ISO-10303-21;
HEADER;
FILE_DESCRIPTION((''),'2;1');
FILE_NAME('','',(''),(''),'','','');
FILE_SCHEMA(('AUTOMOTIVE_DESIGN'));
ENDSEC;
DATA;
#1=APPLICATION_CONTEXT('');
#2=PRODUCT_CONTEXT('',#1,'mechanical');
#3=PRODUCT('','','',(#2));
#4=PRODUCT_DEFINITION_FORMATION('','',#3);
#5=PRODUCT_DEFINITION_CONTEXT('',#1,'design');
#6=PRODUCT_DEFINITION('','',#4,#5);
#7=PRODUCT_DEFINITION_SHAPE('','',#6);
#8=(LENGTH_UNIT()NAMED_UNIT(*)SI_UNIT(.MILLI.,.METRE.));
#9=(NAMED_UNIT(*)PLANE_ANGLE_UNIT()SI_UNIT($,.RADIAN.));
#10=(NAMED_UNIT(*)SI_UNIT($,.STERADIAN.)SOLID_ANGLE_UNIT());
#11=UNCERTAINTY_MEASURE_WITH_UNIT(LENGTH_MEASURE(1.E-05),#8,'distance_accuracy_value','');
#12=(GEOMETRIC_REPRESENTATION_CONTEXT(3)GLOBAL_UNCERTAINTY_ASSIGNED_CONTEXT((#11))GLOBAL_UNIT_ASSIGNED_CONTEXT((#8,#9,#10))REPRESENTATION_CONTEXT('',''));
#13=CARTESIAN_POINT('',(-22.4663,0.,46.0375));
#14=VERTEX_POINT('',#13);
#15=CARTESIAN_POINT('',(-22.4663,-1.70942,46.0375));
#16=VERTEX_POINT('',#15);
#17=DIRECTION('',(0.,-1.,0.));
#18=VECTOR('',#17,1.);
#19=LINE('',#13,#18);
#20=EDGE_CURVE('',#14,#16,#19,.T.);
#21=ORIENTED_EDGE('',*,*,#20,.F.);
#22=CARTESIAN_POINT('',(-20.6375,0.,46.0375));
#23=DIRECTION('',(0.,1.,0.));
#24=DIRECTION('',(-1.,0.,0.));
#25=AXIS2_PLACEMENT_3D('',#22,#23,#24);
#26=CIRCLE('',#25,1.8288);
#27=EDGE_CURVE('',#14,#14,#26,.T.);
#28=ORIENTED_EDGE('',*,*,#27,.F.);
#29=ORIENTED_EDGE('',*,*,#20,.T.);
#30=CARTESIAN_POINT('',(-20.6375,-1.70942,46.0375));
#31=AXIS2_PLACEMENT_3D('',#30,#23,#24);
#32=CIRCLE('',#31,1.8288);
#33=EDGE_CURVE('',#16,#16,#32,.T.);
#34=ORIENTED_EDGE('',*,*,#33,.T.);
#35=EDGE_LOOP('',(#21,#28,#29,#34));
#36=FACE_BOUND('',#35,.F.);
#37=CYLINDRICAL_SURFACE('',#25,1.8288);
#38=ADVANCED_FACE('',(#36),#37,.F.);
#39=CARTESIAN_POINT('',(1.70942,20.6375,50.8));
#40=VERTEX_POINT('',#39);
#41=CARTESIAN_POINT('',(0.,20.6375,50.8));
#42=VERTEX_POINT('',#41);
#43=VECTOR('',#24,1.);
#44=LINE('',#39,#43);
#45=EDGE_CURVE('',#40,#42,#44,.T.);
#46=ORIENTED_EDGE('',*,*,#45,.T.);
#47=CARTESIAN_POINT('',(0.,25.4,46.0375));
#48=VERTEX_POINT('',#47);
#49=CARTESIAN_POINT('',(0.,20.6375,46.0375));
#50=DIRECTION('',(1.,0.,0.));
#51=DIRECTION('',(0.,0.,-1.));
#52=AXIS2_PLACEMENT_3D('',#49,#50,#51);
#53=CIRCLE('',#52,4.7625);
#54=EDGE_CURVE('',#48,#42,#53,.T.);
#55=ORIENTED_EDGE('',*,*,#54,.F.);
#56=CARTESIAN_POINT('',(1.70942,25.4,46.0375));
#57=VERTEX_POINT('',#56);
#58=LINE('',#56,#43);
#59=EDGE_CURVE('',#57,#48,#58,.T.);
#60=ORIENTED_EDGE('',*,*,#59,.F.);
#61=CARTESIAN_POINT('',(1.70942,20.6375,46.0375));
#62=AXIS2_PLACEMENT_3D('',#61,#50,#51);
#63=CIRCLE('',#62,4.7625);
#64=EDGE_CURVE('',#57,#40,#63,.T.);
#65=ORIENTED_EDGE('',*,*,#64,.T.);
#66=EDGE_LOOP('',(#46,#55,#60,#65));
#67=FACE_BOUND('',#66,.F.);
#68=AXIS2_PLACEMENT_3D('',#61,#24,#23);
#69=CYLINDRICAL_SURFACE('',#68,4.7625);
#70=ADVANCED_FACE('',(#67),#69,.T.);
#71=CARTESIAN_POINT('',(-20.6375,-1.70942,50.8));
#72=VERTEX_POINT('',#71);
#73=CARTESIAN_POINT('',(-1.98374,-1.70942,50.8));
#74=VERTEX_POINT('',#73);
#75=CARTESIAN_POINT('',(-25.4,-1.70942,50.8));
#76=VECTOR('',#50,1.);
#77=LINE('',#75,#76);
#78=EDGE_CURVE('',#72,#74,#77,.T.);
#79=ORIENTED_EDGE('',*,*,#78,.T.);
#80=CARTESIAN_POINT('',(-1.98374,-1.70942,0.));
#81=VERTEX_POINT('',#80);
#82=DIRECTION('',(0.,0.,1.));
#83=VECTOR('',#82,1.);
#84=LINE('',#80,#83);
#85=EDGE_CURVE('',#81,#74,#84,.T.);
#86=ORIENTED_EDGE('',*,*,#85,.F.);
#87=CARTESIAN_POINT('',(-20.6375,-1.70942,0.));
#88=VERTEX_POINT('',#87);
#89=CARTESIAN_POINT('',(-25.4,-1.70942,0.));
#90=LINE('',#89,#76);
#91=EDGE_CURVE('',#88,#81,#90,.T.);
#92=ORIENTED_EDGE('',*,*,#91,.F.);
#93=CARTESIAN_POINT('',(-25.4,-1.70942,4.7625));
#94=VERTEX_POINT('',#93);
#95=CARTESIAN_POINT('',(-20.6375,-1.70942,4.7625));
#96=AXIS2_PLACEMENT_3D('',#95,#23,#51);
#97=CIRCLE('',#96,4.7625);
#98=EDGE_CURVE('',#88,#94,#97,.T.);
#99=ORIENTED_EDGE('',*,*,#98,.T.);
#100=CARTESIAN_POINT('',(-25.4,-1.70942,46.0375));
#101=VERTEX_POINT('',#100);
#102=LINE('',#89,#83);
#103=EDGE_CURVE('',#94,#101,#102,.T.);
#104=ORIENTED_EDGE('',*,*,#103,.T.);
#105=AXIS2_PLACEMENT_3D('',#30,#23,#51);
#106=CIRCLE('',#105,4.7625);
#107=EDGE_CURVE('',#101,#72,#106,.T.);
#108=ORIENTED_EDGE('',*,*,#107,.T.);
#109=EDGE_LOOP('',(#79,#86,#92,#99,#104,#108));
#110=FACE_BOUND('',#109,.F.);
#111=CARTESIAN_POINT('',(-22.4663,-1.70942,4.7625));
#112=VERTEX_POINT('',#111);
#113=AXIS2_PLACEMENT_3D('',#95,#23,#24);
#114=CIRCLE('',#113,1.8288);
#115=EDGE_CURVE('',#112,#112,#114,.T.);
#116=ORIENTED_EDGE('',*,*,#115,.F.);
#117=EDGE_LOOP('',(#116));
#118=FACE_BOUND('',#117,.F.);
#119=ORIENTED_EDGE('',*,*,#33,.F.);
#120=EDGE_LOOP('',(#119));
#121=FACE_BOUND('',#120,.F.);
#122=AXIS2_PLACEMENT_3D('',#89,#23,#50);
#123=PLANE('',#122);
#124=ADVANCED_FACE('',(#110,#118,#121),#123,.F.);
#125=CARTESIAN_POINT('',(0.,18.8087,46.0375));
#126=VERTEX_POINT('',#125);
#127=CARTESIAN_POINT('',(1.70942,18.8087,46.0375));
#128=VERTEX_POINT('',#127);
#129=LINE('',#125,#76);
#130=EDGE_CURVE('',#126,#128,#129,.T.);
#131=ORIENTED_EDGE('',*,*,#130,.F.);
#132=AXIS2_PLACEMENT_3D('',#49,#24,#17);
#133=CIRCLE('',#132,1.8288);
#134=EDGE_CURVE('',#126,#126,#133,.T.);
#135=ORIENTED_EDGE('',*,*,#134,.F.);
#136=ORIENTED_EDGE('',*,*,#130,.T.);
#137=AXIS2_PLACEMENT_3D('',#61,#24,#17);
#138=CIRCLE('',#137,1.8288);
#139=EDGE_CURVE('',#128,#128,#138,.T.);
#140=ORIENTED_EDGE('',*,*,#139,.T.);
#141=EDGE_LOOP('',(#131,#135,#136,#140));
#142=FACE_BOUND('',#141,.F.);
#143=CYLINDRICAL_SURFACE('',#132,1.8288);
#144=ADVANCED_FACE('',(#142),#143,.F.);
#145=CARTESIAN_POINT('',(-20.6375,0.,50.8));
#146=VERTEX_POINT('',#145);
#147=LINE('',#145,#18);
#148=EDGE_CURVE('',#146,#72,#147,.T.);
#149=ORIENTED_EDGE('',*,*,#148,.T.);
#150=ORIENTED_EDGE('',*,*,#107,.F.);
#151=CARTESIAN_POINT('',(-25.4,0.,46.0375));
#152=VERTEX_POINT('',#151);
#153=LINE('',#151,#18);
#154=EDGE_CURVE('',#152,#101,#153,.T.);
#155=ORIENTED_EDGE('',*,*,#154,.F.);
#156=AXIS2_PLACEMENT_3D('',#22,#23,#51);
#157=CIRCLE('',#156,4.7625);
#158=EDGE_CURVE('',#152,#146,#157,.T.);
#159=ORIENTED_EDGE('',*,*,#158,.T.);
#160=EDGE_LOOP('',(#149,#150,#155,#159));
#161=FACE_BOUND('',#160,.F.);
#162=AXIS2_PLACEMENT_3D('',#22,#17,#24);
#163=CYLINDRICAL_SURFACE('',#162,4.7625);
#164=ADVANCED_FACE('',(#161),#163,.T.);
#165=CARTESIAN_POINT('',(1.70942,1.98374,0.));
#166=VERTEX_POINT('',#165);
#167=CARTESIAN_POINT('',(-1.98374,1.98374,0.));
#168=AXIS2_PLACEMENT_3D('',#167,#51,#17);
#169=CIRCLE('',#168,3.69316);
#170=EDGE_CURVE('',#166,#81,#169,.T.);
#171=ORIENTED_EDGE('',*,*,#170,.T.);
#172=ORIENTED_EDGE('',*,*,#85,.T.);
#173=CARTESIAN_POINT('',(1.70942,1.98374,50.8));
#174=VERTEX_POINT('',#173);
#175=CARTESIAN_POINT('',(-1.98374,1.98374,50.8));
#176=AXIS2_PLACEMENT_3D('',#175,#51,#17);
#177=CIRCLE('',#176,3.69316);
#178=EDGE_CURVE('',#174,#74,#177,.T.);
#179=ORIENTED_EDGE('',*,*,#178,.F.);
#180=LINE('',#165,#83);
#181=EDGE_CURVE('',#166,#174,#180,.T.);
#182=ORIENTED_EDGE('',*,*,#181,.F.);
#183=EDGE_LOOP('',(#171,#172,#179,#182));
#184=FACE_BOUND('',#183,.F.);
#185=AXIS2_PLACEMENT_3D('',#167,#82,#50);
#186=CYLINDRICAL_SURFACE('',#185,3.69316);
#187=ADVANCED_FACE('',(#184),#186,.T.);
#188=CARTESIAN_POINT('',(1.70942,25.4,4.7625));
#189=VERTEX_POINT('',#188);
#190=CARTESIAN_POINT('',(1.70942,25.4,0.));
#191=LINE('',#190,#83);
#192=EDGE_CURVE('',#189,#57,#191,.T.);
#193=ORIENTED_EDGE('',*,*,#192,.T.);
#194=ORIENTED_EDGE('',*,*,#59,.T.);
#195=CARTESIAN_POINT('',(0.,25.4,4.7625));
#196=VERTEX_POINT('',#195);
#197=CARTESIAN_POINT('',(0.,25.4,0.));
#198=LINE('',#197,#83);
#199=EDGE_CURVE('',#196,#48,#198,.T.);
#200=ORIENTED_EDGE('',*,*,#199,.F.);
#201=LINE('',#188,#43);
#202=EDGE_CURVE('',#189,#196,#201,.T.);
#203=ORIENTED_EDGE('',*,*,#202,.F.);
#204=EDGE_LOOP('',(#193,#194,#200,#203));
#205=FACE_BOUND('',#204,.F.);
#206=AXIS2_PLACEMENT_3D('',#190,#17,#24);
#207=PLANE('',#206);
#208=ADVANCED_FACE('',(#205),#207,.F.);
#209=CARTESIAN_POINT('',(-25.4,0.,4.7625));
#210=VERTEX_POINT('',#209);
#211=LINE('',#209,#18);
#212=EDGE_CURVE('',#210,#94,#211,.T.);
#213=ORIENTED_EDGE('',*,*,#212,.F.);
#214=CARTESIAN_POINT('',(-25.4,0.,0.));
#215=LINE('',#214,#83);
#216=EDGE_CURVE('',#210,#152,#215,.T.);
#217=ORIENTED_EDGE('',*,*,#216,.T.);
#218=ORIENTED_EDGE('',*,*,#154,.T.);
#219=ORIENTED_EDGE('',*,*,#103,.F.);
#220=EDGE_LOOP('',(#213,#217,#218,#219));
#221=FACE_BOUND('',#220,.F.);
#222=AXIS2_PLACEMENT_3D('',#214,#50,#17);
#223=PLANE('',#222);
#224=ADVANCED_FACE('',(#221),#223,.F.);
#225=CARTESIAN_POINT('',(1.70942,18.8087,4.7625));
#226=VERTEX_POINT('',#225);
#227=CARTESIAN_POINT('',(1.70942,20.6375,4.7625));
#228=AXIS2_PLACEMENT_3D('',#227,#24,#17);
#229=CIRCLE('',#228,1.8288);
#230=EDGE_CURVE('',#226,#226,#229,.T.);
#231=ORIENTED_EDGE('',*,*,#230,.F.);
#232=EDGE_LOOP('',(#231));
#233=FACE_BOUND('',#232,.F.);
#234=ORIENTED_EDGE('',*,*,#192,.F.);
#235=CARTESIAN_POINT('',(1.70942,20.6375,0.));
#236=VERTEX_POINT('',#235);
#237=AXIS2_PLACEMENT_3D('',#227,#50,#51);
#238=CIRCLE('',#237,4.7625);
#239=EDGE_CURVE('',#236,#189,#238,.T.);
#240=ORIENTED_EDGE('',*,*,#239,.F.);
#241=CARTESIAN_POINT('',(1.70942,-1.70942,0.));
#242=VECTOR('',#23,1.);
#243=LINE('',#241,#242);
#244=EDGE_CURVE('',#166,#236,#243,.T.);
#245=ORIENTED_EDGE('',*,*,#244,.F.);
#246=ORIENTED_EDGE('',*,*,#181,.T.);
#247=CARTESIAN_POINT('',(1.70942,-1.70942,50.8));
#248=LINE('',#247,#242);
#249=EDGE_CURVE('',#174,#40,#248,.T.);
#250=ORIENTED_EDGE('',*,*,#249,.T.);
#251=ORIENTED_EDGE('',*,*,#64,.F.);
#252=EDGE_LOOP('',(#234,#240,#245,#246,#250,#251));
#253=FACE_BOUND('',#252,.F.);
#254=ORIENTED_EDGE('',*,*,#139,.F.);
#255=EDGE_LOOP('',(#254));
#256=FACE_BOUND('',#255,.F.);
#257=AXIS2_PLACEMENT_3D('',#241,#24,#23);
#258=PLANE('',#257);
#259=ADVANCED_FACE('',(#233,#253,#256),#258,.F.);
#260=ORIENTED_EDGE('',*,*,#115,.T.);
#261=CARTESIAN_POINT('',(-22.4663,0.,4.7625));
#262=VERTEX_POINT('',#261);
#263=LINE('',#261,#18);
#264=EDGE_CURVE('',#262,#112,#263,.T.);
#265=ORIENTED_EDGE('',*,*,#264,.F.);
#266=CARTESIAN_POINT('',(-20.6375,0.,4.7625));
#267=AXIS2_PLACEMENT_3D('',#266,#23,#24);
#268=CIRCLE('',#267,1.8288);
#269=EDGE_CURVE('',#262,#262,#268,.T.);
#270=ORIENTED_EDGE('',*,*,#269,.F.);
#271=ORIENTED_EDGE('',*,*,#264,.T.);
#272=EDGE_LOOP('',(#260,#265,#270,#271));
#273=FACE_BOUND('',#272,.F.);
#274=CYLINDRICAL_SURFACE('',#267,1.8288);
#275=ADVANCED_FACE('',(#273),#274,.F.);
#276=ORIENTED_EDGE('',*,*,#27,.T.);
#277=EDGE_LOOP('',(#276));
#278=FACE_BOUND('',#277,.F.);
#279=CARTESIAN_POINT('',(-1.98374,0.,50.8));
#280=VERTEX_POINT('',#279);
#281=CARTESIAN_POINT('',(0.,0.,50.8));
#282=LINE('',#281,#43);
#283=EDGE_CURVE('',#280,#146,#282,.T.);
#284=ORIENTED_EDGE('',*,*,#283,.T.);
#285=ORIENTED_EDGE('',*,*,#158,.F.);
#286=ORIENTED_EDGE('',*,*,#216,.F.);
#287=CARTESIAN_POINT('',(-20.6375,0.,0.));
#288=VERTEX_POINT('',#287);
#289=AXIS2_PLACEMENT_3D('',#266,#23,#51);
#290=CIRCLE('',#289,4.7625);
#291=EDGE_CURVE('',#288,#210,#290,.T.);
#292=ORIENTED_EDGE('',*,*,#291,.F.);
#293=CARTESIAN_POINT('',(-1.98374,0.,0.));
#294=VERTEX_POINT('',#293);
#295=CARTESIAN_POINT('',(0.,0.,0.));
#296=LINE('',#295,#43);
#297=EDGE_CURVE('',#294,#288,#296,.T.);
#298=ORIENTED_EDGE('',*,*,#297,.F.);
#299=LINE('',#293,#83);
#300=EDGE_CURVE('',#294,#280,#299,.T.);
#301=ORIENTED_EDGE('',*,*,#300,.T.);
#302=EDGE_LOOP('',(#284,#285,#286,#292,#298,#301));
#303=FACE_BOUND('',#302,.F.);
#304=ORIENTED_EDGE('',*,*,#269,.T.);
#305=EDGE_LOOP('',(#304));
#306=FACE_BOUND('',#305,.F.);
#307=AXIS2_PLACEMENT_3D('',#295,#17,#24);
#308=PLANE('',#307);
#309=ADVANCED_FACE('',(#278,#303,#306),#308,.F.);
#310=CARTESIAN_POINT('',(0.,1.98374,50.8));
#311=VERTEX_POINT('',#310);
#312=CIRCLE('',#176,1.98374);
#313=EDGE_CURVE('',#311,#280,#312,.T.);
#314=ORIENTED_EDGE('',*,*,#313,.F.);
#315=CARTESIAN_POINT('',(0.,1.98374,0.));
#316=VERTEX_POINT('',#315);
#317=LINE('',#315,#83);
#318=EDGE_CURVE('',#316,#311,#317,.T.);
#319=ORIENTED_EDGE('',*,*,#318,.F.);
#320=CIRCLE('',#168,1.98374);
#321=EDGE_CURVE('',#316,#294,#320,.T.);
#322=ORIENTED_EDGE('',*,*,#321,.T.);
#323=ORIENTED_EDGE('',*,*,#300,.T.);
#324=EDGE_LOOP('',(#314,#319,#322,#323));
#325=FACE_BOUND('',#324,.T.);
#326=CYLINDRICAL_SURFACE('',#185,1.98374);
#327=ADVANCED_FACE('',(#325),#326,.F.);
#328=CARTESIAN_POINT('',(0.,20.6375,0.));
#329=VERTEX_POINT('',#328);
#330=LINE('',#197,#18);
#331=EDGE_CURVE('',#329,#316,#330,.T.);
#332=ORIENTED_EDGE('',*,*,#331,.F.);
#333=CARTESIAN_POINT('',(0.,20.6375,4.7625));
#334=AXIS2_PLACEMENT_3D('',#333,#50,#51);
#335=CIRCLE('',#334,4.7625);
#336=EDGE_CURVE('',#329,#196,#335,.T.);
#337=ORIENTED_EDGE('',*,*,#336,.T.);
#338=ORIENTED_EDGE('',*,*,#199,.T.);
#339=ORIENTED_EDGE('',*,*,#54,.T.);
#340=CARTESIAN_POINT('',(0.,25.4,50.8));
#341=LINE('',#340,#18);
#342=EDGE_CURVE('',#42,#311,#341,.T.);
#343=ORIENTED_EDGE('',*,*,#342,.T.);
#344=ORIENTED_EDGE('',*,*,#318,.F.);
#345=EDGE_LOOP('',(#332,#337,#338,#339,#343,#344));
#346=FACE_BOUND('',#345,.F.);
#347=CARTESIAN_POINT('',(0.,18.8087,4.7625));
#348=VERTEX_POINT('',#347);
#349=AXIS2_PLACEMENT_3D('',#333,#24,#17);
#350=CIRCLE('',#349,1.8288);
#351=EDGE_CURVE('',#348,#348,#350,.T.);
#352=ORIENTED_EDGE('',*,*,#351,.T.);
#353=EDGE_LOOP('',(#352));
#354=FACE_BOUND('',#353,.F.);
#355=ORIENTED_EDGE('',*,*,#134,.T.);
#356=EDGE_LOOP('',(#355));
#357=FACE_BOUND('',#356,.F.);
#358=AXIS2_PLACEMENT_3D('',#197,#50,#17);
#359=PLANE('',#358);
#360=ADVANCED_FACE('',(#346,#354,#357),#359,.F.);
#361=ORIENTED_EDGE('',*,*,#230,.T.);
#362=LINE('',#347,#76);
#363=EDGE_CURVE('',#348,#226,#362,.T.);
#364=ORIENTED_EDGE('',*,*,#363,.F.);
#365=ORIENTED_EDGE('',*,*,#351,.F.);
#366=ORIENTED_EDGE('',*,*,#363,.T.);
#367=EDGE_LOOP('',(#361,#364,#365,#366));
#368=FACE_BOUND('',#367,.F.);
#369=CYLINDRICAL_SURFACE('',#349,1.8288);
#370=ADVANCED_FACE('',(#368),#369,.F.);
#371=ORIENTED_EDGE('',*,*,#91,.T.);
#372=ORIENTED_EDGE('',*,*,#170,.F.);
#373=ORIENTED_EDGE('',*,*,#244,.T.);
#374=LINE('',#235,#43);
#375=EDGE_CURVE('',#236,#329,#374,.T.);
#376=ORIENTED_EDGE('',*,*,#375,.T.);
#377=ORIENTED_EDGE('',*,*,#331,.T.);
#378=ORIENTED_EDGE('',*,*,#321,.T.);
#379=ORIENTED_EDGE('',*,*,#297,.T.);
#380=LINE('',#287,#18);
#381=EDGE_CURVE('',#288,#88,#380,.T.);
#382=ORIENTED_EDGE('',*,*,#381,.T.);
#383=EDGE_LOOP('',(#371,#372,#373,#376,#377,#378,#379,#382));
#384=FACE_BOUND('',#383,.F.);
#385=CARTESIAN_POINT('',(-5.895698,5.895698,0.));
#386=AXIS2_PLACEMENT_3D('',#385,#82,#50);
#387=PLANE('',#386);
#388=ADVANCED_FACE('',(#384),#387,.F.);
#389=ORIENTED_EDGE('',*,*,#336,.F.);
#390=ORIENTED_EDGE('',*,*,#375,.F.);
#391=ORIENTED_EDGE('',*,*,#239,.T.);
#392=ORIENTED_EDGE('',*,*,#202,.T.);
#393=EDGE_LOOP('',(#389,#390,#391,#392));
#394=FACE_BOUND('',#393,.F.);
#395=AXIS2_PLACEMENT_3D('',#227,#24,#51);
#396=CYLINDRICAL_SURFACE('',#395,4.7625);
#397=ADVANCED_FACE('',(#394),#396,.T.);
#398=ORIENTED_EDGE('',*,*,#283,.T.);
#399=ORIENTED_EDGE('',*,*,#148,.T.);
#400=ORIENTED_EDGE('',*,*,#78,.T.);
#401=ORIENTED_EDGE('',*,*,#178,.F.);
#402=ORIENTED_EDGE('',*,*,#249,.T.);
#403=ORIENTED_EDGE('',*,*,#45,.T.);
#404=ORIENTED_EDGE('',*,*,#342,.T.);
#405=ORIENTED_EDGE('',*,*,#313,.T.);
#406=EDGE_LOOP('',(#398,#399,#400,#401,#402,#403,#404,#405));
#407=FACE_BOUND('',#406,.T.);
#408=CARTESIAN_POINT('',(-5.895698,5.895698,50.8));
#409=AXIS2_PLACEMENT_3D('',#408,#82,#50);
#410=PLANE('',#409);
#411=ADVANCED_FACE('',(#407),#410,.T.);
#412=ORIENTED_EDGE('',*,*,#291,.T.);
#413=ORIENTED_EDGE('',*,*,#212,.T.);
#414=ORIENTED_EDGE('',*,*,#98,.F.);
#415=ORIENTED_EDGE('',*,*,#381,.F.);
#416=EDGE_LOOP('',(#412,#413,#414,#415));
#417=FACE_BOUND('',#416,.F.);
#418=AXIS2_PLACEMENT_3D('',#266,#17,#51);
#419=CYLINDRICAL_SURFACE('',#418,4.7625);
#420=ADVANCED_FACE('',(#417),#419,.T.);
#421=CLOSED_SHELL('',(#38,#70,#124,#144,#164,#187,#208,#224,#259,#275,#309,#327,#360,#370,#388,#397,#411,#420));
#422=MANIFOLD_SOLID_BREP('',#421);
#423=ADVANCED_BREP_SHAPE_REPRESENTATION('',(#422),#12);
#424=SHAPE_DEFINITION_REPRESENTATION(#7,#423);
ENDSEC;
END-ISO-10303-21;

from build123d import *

# Parameters (mm, degrees)
F1_DEPTH = 50.8
F2_R     = 1.98374
F3_R     = 3.69316
F4_R     = 1.8288
F5_DEPTH = 1.70942
F6_R     = 1.8288
F7_DEPTH = 1.70942
F8_R     = 4.7625


with BuildPart() as f1:
    # F0 (on Top) → F1 (new body)
    with BuildSketch(Plane.XY):
        Polygon((1.70942, 25.4), (0, 25.4), (0, 0), (-25.4, 0), (-25.4, -1.70942), (1.70942, -1.70942), align=None)
    extrude(amount=F1_DEPTH)

    # F2
    f2_edges = [f1.edges().sort_by_distance(p)[0] for p in [
        (0, 0, 25.4),
    ]]
    fillet(f2_edges, radius=F2_R)

    # F3
    f3_edges = [f1.edges().sort_by_distance(p)[0] for p in [
        (1.70942, -1.70942, 25.4),
    ]]
    fillet(f3_edges, radius=F3_R)

    # F4 (on face) → F5 (cut, through all)
    with BuildSketch(Plane(origin=(0, 0, 0), x_dir=(0, -1, 0), z_dir=(-1, 0, 0))):
        with Locations((-20.6375, 46.0375)):
            Circle(F4_R)
        with Locations((-20.6375, 4.7625)):
            Circle(F4_R)
    extrude(amount=-F5_DEPTH, mode=Mode.SUBTRACT)

    # F6 (on face) → F7 (cut, through all)
    with BuildSketch(Plane(origin=(0, 0, 0), x_dir=(-1, 0, 0), z_dir=(0, 1, 0))):
        with Locations((20.6375, 46.0375)):
            Circle(F6_R)
        with Locations((20.6375, 4.7625)):
            Circle(F6_R)
    extrude(amount=-F7_DEPTH, mode=Mode.SUBTRACT)

    # F8
    f8_edges = [f1.edges().sort_by_distance(p)[0] for p in [
        (0.85471, 25.4, 50.8),
        (-25.4, -0.85471, 50.8),
        (-25.4, -0.85471, 0),
        (0.85471, 25.4, 0),
    ]]
    fillet(f8_edges, radius=F8_R)


solid = f1.part
